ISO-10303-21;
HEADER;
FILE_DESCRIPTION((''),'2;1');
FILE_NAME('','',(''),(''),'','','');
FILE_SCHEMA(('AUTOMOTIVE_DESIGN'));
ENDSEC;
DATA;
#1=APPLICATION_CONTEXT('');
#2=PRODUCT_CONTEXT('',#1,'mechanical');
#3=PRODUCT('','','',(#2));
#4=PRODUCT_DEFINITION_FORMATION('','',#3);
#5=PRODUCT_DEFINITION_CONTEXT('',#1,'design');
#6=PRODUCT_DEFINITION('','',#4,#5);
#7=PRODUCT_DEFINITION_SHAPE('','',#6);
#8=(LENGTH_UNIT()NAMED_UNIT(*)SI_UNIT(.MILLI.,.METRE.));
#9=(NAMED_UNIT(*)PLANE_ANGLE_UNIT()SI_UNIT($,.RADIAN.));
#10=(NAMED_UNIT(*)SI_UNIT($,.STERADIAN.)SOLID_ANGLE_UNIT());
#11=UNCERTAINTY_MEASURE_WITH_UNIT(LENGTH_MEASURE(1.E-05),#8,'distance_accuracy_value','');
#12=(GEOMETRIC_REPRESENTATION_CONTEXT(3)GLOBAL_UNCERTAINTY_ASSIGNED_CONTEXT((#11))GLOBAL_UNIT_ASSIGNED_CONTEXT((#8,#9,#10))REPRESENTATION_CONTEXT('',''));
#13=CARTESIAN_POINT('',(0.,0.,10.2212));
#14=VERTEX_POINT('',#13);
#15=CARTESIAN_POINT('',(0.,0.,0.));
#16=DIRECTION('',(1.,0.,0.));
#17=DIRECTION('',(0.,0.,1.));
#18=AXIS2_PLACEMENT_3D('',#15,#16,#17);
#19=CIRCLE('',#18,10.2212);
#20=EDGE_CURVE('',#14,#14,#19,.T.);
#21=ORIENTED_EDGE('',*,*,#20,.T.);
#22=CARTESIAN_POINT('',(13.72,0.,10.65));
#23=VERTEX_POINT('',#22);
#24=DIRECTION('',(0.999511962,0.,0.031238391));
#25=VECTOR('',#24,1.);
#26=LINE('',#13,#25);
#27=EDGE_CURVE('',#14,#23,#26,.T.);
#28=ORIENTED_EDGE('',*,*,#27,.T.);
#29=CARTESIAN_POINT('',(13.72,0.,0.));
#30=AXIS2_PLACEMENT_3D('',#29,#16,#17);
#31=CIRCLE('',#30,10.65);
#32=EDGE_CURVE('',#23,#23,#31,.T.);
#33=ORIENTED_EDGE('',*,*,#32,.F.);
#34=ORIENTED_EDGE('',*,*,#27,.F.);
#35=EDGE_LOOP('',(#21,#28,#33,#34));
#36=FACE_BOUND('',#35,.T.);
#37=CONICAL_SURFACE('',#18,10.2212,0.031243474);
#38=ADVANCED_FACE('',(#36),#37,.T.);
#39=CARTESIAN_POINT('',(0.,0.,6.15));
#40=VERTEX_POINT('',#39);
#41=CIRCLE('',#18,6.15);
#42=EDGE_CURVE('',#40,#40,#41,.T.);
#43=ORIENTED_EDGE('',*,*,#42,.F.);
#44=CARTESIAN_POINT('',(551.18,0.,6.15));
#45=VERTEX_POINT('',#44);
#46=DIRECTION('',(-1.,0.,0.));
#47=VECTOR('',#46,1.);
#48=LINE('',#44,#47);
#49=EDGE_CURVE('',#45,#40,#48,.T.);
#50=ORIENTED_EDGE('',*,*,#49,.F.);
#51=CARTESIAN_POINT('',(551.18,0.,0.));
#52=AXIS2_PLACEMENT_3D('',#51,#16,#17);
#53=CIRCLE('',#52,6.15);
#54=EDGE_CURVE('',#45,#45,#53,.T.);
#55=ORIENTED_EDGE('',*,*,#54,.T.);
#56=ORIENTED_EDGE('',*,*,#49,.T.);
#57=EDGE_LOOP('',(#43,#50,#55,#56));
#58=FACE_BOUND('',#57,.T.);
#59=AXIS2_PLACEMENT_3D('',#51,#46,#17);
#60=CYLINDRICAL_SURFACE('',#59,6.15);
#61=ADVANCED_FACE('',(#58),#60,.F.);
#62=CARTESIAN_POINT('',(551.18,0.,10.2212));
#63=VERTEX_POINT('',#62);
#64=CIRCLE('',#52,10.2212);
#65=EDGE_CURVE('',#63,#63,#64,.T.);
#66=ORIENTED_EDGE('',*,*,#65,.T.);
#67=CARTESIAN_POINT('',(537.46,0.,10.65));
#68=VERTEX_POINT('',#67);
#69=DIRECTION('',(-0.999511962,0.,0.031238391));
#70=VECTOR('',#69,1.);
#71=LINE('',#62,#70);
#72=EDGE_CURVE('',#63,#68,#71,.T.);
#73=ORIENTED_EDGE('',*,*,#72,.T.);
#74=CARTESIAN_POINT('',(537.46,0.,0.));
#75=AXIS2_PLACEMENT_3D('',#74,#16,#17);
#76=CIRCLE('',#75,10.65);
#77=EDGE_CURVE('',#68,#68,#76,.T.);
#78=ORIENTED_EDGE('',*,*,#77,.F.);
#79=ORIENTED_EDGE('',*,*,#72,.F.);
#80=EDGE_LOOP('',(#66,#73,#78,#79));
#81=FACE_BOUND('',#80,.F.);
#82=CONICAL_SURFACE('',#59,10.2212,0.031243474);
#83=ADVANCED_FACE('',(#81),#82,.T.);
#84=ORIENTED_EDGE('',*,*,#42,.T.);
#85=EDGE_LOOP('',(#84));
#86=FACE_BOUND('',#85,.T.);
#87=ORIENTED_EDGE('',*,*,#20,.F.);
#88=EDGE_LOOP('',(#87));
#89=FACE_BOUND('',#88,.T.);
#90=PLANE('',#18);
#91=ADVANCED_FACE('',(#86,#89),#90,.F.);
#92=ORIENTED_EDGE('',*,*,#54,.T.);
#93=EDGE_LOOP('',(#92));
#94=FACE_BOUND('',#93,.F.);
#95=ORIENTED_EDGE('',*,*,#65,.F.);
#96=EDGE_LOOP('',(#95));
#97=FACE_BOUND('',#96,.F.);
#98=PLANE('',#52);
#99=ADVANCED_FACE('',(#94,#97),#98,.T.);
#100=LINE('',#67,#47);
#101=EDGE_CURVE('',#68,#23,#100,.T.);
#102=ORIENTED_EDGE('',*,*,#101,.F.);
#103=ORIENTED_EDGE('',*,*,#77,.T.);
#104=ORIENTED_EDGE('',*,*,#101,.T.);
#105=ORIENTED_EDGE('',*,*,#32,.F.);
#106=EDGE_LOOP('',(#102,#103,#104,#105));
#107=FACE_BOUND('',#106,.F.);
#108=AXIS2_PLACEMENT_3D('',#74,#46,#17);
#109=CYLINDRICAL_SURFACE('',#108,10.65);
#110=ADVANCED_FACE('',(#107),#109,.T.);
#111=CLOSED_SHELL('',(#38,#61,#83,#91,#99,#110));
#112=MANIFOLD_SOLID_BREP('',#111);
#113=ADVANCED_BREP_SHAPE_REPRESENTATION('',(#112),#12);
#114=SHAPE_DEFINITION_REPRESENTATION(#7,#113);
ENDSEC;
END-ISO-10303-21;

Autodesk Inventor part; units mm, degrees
ref_plane "YZ Plane" through (0, 0, 0) normal (1, 0, 0) x (0, 1, 0)
ref_plane "XZ Plane" through (0, 0, 0) normal (0, 1, 0) x (-1, 0, 0)
ref_plane "XY Plane" through (0, 0, 0) normal (0, 0, 1) x (1, 0, 0)
sketch "Sketch1" plane through (0, 0, 0) normal (0, 1, 0) x (-1, 0, 0)
  line L0 (0, 0) -> (-551.18, 0)
  line L1 (-551.18, 6.15) -> (-551.18, 10.2212)
  line L2 (-551.18, 10.2212) -> (-537.46, 10.65)
  line L3 (-537.46, 10.65) -> (-13.72, 10.65)
  line L4 (-275.59, 0) -> (-275.59, 10.65) construction
  line L5 (-542.98, 0) -> (-542.98, 10.4775) construction
  line L6 (0, 6.15) -> (0, 10.2212)
  line L7 (0, 10.2212) -> (-13.72, 10.65)
  line L8 (-8.2, 0) -> (-8.2, 10.4775) construction
  line L9 (-551.18, 6.15) -> (0, 6.15)
  line L10 (-551.18, 6.15) -> (-551.18, 0) construction
  line L11 (0, 6.15) -> (0, 0) construction
  line L12 (-13.72, 10.65) -> (-13.72, 0) construction
  line L13 (-537.46, 10.65) -> (-537.46, 0) construction
  dimension "d0" = 20.955
  dimension "d1" = 21.3
  dimension "d2" = 1.79
  dimension "d3" = 551.18
  dimension "d4" = 8.2
  dimension "d5" = 4.5
revolve "Revolution1" add sketch "Sketch1" angle 360 about axis through (0, 0, 0) along (1, 0, 0)
thread "Thread1" size "R 1/2" standard "DIN Pipe Taper" full length
thread "Thread2" size "R 1/2" standard "DIN Pipe Taper" full length
equation "\"d0\" = MjD"
equation "\"d1\" = OD"
equation "\"d3\" = L"
equation "\"d4\" = a"
equation "\"d5\" = t"
equation "\"OD\" = 21.3"
equation "\"t\" = 4.5"
equation "\"L\" = PL"
equation "\"ID\" = 12.3"
equation "\"PL\" = 551.18"
equation "\"a\" = 8.2"
equation "\"MjD\" = 20.955"
equation "\"Size_Designation\" = 1.2345"
equation "\"PLmin\" = 2 * a - 32 * MjD + 32 * OD + t"
properties material "Steel"
